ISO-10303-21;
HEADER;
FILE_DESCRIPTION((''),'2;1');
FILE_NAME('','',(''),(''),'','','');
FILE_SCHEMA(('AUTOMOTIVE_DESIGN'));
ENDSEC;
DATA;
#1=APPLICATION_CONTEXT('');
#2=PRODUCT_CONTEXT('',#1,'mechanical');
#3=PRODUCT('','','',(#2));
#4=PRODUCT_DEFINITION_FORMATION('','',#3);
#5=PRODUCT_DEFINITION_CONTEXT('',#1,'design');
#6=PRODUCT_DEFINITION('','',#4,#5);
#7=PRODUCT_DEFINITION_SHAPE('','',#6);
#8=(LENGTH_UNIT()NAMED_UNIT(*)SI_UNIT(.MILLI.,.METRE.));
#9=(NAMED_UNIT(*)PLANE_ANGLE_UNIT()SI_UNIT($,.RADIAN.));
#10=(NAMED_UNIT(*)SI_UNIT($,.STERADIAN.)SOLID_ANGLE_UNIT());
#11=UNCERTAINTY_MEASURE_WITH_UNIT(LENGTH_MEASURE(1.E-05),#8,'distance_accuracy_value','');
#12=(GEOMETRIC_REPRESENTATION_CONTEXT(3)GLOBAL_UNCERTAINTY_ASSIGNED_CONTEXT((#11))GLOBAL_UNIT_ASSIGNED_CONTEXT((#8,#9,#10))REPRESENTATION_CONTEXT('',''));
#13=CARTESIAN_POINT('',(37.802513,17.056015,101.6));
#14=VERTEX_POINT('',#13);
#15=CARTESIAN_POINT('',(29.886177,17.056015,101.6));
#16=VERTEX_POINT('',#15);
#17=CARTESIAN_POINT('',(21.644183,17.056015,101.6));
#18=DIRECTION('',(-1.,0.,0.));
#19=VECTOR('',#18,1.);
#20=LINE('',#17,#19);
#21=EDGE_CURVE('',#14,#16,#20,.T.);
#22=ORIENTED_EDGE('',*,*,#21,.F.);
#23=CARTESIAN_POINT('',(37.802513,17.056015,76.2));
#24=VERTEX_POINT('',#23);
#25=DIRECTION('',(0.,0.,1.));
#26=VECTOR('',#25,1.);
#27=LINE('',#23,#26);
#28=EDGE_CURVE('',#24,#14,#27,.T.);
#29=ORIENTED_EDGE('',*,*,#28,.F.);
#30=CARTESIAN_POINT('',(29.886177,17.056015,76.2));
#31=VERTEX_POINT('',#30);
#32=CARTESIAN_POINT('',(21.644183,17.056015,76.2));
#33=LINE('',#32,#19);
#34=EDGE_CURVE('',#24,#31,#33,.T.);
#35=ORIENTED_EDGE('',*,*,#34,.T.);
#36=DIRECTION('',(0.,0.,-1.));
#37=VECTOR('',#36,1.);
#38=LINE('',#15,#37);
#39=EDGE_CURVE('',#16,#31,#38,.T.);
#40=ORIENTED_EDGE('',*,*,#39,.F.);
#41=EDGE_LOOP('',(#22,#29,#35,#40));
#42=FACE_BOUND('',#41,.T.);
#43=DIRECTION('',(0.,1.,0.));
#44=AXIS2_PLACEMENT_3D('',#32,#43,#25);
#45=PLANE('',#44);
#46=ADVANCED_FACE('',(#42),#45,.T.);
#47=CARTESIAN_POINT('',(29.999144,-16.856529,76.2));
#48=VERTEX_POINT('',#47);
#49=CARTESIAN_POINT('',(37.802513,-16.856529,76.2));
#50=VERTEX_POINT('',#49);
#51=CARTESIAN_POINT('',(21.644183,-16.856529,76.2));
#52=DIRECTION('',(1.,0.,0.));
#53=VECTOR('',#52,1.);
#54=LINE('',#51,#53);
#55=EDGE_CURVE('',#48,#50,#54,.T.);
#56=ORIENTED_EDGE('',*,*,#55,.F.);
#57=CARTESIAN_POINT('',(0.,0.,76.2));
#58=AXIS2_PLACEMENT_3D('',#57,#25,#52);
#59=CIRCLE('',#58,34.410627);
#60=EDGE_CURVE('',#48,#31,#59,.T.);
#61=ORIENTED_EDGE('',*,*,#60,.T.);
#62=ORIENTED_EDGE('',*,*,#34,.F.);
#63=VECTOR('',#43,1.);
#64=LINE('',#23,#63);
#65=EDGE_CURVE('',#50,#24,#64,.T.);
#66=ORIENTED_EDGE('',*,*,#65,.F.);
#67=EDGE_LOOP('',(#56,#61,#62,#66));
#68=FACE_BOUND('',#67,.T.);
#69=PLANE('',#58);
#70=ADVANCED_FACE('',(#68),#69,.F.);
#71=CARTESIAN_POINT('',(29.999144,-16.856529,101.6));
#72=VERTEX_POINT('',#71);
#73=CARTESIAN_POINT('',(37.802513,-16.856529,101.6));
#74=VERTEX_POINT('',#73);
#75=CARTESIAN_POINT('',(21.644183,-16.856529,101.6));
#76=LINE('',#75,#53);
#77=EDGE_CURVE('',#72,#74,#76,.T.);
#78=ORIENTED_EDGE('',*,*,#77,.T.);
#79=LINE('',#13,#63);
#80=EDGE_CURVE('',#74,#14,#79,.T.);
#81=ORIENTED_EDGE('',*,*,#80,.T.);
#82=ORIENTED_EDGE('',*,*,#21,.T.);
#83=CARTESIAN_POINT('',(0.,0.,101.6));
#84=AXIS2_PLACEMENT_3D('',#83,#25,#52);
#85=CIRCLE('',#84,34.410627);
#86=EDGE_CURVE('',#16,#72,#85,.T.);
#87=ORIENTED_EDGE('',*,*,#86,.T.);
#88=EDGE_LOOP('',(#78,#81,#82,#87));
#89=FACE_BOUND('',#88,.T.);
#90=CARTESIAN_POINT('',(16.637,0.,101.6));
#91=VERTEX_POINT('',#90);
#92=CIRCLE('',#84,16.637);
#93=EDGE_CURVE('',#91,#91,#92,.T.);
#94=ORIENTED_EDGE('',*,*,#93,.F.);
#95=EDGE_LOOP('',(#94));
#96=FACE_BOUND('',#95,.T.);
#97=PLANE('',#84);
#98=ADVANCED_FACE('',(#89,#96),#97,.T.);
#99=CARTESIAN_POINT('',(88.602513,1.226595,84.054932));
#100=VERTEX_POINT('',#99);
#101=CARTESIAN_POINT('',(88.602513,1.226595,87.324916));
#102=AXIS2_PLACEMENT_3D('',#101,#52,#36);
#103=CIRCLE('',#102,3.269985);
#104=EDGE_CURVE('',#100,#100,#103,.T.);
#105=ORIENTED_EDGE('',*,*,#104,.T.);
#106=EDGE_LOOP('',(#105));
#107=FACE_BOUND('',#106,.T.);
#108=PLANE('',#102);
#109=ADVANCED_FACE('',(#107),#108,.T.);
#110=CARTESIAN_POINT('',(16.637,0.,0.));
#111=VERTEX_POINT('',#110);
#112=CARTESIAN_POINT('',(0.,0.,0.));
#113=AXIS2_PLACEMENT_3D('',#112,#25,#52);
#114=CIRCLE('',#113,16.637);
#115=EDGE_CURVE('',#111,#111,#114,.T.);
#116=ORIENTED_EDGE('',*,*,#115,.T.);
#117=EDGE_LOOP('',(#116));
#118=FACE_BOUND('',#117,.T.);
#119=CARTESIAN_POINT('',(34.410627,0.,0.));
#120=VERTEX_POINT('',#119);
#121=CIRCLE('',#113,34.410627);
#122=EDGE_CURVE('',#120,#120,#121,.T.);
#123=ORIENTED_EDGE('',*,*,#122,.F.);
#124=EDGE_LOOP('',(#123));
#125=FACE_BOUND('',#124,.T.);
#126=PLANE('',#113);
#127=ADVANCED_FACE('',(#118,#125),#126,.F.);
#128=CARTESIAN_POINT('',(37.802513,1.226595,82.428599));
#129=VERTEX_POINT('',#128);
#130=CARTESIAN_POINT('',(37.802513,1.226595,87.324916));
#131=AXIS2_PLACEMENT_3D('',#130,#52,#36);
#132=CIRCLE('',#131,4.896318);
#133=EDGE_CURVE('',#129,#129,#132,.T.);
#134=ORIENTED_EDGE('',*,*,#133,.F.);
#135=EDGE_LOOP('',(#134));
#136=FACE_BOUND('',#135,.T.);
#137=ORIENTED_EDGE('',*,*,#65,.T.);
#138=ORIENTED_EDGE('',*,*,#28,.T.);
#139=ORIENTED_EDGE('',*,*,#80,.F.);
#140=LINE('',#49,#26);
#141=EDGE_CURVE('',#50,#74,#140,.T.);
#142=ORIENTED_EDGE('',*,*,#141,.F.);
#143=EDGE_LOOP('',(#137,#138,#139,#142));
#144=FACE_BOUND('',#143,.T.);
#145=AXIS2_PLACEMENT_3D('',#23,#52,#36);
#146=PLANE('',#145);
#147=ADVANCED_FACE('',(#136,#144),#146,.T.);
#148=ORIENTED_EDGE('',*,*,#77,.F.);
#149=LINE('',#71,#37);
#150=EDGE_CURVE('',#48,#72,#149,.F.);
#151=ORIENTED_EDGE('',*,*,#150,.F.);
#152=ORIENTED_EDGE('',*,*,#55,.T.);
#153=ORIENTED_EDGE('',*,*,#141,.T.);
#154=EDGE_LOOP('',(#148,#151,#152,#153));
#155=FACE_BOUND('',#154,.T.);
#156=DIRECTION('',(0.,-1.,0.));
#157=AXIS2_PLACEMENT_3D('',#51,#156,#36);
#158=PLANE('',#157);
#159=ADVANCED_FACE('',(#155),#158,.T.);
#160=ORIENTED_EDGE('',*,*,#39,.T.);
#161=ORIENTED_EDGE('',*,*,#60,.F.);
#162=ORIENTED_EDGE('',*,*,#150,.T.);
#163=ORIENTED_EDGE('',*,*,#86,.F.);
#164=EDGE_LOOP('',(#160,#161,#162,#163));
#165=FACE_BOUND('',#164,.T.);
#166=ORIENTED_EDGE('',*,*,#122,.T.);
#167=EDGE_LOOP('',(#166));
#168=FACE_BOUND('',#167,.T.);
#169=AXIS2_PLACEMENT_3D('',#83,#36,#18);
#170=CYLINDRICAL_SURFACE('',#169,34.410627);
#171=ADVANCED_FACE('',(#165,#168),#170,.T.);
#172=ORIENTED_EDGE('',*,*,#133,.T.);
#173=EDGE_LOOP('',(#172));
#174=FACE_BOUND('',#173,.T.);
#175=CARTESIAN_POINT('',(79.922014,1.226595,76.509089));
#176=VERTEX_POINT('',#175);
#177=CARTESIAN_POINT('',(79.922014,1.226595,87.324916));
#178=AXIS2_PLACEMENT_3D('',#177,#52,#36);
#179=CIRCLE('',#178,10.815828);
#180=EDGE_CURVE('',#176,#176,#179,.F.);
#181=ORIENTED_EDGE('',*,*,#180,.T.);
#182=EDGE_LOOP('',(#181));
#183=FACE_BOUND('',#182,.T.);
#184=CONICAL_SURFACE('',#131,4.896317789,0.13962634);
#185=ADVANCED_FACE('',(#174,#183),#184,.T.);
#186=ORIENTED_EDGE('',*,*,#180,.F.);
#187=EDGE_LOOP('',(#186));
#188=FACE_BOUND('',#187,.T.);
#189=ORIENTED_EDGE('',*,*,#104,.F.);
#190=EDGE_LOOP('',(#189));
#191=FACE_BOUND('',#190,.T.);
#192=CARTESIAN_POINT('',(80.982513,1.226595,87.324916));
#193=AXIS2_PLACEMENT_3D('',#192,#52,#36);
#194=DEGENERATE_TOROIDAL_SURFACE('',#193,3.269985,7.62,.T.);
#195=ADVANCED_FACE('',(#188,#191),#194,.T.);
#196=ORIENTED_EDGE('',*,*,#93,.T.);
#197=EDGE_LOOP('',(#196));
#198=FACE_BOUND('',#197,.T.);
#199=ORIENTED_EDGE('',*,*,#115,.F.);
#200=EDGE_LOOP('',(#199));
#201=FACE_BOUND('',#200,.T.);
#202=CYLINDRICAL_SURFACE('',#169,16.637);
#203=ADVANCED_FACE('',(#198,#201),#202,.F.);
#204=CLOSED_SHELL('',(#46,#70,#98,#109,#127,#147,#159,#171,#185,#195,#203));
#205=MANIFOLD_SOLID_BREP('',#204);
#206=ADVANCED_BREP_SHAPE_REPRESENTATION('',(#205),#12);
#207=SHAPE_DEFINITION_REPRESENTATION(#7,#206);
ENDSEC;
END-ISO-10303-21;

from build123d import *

# Parameters (mm, degrees)
SKETCH2_R           = 34.410626859
SKETCH2_R_2         = 16.637
BOSS_EXTRUDE1_DEPTH = 101.6
SKETCH3_W           = 16.158329911
SKETCH3_H           = 33.912544257
BOSS_EXTRUDE2_DEPTH = 25.4
SKETCH4_R           = 4.896317789
BOSS_EXTRUDE3_DEPTH = 50.8
BOSS_EXTRUDE3_TAPER = -8
FILLET1_R           = 7.62


with BuildPart() as part:
    # Sketch2 → Boss-Extrude1 (new body)
    with BuildSketch(Plane.XY):
        Circle(SKETCH2_R)
        Circle(SKETCH2_R_2, mode=Mode.SUBTRACT)
    extrude(amount=BOSS_EXTRUDE1_DEPTH)

    # Sketch3 → Boss-Extrude2 (add)
    with BuildSketch(Plane.XY.offset(101.6)):
        with Locations((29.723347614, 0.099742777)):
            Rectangle(SKETCH3_W, SKETCH3_H)
    extrude(amount=-BOSS_EXTRUDE2_DEPTH)

    # Sketch4 → Boss-Extrude3 (add)
    with BuildSketch(Plane(origin=(37.802512569, 0, 0), x_dir=(0, 0, -1), z_dir=(1, 0, 0))):
        with Locations((-87.324916431, 1.22659491)):
            Circle(SKETCH4_R)
    extrude(amount=BOSS_EXTRUDE3_DEPTH, taper=BOSS_EXTRUDE3_TAPER)

    # Fillet1
    fillet1_edges = [part.edges().sort_by_distance(p)[0] for p in [
        (88.602512569, 1.22659491, 99.360708623),
    ]]
    fillet(fillet1_edges, radius=FILLET1_R)


solid = part.part
